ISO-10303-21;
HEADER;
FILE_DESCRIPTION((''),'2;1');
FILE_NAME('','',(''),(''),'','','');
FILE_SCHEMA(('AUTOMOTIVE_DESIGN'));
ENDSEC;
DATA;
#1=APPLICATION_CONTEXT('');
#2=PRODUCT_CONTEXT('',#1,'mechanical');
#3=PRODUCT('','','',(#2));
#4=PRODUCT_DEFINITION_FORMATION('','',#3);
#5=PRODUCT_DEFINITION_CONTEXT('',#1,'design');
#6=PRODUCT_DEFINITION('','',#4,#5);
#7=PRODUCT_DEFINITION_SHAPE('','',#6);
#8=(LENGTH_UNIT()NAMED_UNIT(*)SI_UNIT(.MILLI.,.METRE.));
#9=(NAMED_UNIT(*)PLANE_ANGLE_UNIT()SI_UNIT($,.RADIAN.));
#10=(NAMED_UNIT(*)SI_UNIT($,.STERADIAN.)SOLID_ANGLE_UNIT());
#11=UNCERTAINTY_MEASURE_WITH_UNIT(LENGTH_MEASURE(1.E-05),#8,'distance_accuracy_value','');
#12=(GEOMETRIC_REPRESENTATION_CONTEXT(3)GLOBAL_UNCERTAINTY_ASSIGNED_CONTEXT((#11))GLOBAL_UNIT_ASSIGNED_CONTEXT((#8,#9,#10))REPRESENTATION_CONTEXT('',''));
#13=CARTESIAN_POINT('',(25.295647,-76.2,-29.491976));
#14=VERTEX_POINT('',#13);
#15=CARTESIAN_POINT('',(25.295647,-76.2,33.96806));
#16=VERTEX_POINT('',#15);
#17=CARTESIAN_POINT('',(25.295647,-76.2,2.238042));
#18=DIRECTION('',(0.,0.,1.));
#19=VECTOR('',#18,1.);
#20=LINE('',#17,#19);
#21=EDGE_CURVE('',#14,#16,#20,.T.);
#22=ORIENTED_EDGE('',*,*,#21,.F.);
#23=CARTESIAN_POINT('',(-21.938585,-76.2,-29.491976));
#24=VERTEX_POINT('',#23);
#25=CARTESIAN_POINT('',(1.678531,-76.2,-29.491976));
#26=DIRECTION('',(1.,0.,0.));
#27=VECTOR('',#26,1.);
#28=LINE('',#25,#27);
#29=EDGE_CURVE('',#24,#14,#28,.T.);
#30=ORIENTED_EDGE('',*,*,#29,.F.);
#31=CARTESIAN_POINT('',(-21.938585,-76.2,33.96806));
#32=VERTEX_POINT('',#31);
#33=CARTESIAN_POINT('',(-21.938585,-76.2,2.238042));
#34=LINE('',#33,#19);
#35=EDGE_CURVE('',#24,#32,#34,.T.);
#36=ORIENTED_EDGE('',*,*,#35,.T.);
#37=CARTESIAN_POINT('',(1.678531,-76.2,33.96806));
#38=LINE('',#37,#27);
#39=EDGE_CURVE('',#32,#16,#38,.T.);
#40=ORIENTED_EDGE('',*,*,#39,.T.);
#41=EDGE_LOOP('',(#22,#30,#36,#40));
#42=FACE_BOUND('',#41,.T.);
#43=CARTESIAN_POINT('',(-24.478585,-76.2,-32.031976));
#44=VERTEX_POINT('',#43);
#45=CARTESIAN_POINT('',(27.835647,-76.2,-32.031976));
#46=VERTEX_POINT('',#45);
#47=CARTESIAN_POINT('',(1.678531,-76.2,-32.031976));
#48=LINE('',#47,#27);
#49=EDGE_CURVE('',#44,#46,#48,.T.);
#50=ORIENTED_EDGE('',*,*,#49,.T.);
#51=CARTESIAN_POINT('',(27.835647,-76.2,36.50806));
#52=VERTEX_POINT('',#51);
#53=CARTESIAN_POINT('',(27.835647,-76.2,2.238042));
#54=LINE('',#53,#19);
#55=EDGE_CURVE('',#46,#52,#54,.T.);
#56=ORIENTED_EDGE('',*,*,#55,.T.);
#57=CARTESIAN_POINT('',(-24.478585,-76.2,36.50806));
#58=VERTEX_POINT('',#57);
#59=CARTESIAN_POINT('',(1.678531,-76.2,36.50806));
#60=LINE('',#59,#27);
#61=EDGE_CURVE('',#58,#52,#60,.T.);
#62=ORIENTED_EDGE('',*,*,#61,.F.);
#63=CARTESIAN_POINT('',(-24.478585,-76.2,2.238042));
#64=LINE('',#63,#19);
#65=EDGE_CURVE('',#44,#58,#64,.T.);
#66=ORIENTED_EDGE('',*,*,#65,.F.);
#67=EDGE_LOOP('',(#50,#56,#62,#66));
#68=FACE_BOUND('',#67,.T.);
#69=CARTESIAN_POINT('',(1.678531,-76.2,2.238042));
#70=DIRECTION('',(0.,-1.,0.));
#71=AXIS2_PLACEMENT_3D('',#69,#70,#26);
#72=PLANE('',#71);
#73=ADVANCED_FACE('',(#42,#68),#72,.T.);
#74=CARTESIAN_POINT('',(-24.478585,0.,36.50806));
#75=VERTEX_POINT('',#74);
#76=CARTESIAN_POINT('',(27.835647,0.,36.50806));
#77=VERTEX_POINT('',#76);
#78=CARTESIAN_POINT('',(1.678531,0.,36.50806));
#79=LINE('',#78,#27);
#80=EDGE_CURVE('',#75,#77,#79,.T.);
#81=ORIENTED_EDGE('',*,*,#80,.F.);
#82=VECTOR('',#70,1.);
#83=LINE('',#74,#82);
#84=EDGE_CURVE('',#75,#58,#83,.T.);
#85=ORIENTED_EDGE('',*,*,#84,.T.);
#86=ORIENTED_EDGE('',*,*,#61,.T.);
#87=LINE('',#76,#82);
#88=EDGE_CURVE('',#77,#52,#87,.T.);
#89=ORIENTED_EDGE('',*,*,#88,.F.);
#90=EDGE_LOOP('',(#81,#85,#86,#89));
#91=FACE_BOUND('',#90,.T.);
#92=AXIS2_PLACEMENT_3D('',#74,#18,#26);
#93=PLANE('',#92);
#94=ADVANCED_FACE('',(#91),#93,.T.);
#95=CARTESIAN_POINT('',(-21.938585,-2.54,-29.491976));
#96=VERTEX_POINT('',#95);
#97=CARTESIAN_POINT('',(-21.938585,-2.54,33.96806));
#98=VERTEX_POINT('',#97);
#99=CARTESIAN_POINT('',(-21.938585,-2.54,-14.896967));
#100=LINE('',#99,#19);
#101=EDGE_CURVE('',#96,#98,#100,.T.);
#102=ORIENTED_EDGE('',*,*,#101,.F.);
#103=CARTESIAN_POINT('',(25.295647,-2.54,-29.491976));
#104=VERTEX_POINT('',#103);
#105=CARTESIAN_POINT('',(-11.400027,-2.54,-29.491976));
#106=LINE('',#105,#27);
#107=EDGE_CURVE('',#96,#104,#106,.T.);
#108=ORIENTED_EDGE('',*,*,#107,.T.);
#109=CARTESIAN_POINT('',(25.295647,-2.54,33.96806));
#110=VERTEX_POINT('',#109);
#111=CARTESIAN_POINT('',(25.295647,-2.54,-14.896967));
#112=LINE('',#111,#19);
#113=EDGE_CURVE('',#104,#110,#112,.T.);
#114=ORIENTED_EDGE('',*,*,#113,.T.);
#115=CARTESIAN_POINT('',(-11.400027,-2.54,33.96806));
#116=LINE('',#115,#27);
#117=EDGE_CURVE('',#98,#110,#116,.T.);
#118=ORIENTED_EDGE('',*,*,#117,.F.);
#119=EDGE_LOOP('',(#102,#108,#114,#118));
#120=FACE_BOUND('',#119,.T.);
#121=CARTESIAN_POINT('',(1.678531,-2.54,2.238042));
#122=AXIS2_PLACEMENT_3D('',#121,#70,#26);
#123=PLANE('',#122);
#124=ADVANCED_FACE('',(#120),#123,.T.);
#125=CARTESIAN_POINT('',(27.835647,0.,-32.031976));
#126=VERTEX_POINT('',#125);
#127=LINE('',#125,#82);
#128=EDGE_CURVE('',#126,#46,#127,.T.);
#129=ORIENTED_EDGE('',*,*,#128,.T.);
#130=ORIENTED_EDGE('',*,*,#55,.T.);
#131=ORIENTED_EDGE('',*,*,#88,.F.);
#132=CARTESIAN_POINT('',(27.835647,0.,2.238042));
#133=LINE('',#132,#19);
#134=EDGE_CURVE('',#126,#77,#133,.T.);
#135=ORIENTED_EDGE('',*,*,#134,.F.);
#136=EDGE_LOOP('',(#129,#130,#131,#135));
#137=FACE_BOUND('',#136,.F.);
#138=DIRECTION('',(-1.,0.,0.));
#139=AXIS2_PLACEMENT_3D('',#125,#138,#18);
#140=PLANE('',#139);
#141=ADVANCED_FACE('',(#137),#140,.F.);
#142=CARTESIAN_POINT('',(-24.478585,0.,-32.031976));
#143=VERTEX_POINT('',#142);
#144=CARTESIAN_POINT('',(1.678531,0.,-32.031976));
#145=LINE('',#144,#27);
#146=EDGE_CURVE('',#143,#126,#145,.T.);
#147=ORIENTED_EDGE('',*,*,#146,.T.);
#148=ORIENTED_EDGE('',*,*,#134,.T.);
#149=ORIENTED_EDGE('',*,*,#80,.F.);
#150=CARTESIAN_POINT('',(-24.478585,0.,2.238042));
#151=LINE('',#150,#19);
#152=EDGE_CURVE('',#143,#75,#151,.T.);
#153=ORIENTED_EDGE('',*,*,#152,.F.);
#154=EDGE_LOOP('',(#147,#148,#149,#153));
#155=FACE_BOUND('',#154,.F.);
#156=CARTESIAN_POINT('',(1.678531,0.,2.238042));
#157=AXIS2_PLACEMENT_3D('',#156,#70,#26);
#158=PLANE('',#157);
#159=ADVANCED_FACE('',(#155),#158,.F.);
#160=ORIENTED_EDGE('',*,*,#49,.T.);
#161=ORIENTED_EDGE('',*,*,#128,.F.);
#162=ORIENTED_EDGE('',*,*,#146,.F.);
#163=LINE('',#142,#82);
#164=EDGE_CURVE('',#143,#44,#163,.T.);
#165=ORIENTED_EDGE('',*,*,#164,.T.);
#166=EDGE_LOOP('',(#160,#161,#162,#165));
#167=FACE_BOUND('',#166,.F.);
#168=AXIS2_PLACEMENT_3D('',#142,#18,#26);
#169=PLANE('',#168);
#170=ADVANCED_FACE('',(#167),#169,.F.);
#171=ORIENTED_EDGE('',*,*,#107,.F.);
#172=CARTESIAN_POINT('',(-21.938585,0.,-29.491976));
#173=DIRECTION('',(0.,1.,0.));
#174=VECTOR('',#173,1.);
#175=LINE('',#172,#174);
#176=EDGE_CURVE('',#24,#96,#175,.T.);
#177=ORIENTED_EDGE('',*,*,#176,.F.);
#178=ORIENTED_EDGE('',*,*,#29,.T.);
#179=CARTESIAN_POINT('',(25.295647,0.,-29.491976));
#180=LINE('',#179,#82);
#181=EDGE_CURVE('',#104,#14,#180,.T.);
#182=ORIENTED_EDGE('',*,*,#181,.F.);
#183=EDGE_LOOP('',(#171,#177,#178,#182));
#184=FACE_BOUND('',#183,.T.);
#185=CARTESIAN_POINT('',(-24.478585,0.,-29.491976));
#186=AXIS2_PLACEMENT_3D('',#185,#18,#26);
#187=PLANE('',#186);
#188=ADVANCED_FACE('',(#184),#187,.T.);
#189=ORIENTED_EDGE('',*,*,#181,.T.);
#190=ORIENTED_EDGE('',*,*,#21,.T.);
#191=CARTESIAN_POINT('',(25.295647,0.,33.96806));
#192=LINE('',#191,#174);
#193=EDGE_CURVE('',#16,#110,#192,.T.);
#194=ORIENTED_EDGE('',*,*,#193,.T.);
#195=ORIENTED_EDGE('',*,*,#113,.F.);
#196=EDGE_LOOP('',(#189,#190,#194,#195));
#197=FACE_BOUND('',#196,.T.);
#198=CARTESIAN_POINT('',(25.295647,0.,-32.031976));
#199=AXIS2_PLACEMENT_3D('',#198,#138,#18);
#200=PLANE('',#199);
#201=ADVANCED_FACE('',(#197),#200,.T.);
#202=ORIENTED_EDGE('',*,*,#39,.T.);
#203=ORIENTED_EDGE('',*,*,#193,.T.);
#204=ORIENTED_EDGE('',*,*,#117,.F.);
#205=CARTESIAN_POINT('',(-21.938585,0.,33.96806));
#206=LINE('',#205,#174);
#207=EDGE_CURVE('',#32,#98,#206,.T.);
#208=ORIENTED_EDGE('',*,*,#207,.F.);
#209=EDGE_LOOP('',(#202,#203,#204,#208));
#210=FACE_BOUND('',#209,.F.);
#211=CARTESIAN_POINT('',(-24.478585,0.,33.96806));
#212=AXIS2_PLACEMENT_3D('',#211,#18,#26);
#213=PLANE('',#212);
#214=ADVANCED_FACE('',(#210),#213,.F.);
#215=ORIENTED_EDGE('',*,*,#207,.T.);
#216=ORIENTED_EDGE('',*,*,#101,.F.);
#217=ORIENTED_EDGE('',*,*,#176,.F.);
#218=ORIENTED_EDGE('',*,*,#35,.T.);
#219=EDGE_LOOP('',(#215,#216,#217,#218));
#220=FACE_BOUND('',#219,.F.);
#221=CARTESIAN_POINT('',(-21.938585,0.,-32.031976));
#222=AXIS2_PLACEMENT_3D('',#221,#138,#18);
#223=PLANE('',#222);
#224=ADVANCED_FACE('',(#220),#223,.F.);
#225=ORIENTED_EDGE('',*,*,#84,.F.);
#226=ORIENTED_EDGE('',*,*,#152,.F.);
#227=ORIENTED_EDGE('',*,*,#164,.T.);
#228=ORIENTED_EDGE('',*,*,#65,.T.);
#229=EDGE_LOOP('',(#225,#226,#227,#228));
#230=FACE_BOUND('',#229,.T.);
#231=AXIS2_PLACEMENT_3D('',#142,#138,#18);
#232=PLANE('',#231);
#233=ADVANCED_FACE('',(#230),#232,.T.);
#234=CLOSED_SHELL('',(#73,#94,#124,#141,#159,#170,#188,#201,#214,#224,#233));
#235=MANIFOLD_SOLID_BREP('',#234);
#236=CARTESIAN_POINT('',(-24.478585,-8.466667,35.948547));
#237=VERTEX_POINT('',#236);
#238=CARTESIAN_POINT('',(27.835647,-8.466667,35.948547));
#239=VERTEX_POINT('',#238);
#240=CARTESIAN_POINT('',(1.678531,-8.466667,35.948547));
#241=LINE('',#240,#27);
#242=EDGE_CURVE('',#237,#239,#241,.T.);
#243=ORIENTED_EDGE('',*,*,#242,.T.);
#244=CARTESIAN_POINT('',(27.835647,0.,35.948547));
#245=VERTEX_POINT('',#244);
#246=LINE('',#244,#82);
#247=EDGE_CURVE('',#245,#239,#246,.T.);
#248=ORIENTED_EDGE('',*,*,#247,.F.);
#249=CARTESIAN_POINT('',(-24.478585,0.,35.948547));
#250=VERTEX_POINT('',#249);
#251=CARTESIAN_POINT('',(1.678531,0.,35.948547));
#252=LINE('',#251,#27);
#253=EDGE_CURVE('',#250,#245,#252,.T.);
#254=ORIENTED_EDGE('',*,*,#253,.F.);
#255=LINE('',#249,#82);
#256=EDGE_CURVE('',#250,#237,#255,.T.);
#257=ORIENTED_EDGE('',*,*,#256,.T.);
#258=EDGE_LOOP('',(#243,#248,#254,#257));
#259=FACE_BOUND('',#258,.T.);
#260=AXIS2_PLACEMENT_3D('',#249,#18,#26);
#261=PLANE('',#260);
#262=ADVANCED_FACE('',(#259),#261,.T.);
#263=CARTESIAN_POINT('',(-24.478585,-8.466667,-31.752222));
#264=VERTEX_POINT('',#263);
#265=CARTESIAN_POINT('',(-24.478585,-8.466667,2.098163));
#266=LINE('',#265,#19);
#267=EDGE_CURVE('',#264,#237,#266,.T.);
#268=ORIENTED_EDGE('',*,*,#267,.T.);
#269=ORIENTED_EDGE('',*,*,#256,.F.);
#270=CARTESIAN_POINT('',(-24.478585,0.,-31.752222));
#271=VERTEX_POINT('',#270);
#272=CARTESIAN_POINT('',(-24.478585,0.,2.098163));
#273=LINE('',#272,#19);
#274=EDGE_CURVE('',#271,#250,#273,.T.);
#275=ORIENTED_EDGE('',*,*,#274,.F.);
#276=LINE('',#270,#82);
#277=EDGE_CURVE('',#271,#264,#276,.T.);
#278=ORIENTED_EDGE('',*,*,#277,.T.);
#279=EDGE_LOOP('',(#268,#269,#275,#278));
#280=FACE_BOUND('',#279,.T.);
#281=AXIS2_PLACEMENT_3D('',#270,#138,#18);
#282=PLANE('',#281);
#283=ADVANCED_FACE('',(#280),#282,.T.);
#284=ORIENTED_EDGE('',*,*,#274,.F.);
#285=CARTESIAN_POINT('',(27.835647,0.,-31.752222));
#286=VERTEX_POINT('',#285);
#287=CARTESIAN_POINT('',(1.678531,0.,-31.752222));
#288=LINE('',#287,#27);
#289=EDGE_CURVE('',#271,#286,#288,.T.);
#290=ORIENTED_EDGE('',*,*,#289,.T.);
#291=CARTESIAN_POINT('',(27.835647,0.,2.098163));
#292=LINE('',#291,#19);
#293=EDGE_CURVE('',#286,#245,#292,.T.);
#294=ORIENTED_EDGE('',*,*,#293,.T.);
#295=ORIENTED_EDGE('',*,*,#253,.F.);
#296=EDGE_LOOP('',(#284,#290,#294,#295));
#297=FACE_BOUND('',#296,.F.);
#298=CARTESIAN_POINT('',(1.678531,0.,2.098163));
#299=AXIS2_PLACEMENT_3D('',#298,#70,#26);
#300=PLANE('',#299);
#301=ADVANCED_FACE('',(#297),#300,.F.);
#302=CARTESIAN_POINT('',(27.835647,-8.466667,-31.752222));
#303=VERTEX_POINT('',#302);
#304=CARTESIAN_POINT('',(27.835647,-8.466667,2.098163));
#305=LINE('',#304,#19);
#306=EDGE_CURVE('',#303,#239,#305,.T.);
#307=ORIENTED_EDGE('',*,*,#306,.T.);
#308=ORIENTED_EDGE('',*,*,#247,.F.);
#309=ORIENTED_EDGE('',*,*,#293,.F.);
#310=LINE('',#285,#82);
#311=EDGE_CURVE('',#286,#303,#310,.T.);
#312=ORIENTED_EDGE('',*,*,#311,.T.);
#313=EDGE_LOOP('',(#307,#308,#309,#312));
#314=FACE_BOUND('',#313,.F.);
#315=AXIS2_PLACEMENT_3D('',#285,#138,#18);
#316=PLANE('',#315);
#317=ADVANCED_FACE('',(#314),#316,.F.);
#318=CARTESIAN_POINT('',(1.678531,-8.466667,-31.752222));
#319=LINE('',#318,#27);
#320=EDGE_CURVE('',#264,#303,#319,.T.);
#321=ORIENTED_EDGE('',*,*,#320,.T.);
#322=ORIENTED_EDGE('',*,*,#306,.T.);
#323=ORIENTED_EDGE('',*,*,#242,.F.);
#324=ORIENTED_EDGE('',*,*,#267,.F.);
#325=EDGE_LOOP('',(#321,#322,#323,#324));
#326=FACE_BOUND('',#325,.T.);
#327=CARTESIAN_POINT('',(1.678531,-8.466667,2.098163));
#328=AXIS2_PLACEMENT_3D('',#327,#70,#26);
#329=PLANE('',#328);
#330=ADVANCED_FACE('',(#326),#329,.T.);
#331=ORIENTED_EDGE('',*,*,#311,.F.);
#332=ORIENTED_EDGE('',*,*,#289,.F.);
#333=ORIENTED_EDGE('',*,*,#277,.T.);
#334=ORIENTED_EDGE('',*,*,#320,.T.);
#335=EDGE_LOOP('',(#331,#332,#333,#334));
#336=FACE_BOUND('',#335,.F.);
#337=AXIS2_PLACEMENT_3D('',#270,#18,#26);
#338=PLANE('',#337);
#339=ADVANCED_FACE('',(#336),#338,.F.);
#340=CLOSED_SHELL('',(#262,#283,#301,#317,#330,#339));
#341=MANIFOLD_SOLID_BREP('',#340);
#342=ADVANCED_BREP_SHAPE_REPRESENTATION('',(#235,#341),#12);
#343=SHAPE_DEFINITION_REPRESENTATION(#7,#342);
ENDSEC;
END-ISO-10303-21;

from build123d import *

# Parameters (mm, degrees)
F0_W     = 52.314232
F0_H     = 68.540037
F1_DEPTH = 76.2
F2_T     = -2.54
F3_W     = 52.314232
F3_H     = 67.700769
F4_DEPTH = 8.466667


with BuildPart() as f1:
    # F0 (on Front) → F1 (new body)
    with BuildSketch(Plane.XZ):
        with Locations((1.678531, 2.238042)):
            Rectangle(F0_W, F0_H)
    extrude(amount=F1_DEPTH)

    # F2
    f2_openings = [f1.faces().sort_by_distance(p)[0] for p in [
        (1.678531, -76.2, 2.238043),
    ]]
    offset(amount=F2_T, openings=f2_openings)


with BuildPart() as f4:
    # F3 (on Front) → F4 (new body)
    with BuildSketch(Plane.XZ):
        with Locations((1.678531, 2.098163)):
            Rectangle(F3_W, F3_H)
    extrude(amount=F4_DEPTH)


solid = Compound([f1.part, f4.part])
